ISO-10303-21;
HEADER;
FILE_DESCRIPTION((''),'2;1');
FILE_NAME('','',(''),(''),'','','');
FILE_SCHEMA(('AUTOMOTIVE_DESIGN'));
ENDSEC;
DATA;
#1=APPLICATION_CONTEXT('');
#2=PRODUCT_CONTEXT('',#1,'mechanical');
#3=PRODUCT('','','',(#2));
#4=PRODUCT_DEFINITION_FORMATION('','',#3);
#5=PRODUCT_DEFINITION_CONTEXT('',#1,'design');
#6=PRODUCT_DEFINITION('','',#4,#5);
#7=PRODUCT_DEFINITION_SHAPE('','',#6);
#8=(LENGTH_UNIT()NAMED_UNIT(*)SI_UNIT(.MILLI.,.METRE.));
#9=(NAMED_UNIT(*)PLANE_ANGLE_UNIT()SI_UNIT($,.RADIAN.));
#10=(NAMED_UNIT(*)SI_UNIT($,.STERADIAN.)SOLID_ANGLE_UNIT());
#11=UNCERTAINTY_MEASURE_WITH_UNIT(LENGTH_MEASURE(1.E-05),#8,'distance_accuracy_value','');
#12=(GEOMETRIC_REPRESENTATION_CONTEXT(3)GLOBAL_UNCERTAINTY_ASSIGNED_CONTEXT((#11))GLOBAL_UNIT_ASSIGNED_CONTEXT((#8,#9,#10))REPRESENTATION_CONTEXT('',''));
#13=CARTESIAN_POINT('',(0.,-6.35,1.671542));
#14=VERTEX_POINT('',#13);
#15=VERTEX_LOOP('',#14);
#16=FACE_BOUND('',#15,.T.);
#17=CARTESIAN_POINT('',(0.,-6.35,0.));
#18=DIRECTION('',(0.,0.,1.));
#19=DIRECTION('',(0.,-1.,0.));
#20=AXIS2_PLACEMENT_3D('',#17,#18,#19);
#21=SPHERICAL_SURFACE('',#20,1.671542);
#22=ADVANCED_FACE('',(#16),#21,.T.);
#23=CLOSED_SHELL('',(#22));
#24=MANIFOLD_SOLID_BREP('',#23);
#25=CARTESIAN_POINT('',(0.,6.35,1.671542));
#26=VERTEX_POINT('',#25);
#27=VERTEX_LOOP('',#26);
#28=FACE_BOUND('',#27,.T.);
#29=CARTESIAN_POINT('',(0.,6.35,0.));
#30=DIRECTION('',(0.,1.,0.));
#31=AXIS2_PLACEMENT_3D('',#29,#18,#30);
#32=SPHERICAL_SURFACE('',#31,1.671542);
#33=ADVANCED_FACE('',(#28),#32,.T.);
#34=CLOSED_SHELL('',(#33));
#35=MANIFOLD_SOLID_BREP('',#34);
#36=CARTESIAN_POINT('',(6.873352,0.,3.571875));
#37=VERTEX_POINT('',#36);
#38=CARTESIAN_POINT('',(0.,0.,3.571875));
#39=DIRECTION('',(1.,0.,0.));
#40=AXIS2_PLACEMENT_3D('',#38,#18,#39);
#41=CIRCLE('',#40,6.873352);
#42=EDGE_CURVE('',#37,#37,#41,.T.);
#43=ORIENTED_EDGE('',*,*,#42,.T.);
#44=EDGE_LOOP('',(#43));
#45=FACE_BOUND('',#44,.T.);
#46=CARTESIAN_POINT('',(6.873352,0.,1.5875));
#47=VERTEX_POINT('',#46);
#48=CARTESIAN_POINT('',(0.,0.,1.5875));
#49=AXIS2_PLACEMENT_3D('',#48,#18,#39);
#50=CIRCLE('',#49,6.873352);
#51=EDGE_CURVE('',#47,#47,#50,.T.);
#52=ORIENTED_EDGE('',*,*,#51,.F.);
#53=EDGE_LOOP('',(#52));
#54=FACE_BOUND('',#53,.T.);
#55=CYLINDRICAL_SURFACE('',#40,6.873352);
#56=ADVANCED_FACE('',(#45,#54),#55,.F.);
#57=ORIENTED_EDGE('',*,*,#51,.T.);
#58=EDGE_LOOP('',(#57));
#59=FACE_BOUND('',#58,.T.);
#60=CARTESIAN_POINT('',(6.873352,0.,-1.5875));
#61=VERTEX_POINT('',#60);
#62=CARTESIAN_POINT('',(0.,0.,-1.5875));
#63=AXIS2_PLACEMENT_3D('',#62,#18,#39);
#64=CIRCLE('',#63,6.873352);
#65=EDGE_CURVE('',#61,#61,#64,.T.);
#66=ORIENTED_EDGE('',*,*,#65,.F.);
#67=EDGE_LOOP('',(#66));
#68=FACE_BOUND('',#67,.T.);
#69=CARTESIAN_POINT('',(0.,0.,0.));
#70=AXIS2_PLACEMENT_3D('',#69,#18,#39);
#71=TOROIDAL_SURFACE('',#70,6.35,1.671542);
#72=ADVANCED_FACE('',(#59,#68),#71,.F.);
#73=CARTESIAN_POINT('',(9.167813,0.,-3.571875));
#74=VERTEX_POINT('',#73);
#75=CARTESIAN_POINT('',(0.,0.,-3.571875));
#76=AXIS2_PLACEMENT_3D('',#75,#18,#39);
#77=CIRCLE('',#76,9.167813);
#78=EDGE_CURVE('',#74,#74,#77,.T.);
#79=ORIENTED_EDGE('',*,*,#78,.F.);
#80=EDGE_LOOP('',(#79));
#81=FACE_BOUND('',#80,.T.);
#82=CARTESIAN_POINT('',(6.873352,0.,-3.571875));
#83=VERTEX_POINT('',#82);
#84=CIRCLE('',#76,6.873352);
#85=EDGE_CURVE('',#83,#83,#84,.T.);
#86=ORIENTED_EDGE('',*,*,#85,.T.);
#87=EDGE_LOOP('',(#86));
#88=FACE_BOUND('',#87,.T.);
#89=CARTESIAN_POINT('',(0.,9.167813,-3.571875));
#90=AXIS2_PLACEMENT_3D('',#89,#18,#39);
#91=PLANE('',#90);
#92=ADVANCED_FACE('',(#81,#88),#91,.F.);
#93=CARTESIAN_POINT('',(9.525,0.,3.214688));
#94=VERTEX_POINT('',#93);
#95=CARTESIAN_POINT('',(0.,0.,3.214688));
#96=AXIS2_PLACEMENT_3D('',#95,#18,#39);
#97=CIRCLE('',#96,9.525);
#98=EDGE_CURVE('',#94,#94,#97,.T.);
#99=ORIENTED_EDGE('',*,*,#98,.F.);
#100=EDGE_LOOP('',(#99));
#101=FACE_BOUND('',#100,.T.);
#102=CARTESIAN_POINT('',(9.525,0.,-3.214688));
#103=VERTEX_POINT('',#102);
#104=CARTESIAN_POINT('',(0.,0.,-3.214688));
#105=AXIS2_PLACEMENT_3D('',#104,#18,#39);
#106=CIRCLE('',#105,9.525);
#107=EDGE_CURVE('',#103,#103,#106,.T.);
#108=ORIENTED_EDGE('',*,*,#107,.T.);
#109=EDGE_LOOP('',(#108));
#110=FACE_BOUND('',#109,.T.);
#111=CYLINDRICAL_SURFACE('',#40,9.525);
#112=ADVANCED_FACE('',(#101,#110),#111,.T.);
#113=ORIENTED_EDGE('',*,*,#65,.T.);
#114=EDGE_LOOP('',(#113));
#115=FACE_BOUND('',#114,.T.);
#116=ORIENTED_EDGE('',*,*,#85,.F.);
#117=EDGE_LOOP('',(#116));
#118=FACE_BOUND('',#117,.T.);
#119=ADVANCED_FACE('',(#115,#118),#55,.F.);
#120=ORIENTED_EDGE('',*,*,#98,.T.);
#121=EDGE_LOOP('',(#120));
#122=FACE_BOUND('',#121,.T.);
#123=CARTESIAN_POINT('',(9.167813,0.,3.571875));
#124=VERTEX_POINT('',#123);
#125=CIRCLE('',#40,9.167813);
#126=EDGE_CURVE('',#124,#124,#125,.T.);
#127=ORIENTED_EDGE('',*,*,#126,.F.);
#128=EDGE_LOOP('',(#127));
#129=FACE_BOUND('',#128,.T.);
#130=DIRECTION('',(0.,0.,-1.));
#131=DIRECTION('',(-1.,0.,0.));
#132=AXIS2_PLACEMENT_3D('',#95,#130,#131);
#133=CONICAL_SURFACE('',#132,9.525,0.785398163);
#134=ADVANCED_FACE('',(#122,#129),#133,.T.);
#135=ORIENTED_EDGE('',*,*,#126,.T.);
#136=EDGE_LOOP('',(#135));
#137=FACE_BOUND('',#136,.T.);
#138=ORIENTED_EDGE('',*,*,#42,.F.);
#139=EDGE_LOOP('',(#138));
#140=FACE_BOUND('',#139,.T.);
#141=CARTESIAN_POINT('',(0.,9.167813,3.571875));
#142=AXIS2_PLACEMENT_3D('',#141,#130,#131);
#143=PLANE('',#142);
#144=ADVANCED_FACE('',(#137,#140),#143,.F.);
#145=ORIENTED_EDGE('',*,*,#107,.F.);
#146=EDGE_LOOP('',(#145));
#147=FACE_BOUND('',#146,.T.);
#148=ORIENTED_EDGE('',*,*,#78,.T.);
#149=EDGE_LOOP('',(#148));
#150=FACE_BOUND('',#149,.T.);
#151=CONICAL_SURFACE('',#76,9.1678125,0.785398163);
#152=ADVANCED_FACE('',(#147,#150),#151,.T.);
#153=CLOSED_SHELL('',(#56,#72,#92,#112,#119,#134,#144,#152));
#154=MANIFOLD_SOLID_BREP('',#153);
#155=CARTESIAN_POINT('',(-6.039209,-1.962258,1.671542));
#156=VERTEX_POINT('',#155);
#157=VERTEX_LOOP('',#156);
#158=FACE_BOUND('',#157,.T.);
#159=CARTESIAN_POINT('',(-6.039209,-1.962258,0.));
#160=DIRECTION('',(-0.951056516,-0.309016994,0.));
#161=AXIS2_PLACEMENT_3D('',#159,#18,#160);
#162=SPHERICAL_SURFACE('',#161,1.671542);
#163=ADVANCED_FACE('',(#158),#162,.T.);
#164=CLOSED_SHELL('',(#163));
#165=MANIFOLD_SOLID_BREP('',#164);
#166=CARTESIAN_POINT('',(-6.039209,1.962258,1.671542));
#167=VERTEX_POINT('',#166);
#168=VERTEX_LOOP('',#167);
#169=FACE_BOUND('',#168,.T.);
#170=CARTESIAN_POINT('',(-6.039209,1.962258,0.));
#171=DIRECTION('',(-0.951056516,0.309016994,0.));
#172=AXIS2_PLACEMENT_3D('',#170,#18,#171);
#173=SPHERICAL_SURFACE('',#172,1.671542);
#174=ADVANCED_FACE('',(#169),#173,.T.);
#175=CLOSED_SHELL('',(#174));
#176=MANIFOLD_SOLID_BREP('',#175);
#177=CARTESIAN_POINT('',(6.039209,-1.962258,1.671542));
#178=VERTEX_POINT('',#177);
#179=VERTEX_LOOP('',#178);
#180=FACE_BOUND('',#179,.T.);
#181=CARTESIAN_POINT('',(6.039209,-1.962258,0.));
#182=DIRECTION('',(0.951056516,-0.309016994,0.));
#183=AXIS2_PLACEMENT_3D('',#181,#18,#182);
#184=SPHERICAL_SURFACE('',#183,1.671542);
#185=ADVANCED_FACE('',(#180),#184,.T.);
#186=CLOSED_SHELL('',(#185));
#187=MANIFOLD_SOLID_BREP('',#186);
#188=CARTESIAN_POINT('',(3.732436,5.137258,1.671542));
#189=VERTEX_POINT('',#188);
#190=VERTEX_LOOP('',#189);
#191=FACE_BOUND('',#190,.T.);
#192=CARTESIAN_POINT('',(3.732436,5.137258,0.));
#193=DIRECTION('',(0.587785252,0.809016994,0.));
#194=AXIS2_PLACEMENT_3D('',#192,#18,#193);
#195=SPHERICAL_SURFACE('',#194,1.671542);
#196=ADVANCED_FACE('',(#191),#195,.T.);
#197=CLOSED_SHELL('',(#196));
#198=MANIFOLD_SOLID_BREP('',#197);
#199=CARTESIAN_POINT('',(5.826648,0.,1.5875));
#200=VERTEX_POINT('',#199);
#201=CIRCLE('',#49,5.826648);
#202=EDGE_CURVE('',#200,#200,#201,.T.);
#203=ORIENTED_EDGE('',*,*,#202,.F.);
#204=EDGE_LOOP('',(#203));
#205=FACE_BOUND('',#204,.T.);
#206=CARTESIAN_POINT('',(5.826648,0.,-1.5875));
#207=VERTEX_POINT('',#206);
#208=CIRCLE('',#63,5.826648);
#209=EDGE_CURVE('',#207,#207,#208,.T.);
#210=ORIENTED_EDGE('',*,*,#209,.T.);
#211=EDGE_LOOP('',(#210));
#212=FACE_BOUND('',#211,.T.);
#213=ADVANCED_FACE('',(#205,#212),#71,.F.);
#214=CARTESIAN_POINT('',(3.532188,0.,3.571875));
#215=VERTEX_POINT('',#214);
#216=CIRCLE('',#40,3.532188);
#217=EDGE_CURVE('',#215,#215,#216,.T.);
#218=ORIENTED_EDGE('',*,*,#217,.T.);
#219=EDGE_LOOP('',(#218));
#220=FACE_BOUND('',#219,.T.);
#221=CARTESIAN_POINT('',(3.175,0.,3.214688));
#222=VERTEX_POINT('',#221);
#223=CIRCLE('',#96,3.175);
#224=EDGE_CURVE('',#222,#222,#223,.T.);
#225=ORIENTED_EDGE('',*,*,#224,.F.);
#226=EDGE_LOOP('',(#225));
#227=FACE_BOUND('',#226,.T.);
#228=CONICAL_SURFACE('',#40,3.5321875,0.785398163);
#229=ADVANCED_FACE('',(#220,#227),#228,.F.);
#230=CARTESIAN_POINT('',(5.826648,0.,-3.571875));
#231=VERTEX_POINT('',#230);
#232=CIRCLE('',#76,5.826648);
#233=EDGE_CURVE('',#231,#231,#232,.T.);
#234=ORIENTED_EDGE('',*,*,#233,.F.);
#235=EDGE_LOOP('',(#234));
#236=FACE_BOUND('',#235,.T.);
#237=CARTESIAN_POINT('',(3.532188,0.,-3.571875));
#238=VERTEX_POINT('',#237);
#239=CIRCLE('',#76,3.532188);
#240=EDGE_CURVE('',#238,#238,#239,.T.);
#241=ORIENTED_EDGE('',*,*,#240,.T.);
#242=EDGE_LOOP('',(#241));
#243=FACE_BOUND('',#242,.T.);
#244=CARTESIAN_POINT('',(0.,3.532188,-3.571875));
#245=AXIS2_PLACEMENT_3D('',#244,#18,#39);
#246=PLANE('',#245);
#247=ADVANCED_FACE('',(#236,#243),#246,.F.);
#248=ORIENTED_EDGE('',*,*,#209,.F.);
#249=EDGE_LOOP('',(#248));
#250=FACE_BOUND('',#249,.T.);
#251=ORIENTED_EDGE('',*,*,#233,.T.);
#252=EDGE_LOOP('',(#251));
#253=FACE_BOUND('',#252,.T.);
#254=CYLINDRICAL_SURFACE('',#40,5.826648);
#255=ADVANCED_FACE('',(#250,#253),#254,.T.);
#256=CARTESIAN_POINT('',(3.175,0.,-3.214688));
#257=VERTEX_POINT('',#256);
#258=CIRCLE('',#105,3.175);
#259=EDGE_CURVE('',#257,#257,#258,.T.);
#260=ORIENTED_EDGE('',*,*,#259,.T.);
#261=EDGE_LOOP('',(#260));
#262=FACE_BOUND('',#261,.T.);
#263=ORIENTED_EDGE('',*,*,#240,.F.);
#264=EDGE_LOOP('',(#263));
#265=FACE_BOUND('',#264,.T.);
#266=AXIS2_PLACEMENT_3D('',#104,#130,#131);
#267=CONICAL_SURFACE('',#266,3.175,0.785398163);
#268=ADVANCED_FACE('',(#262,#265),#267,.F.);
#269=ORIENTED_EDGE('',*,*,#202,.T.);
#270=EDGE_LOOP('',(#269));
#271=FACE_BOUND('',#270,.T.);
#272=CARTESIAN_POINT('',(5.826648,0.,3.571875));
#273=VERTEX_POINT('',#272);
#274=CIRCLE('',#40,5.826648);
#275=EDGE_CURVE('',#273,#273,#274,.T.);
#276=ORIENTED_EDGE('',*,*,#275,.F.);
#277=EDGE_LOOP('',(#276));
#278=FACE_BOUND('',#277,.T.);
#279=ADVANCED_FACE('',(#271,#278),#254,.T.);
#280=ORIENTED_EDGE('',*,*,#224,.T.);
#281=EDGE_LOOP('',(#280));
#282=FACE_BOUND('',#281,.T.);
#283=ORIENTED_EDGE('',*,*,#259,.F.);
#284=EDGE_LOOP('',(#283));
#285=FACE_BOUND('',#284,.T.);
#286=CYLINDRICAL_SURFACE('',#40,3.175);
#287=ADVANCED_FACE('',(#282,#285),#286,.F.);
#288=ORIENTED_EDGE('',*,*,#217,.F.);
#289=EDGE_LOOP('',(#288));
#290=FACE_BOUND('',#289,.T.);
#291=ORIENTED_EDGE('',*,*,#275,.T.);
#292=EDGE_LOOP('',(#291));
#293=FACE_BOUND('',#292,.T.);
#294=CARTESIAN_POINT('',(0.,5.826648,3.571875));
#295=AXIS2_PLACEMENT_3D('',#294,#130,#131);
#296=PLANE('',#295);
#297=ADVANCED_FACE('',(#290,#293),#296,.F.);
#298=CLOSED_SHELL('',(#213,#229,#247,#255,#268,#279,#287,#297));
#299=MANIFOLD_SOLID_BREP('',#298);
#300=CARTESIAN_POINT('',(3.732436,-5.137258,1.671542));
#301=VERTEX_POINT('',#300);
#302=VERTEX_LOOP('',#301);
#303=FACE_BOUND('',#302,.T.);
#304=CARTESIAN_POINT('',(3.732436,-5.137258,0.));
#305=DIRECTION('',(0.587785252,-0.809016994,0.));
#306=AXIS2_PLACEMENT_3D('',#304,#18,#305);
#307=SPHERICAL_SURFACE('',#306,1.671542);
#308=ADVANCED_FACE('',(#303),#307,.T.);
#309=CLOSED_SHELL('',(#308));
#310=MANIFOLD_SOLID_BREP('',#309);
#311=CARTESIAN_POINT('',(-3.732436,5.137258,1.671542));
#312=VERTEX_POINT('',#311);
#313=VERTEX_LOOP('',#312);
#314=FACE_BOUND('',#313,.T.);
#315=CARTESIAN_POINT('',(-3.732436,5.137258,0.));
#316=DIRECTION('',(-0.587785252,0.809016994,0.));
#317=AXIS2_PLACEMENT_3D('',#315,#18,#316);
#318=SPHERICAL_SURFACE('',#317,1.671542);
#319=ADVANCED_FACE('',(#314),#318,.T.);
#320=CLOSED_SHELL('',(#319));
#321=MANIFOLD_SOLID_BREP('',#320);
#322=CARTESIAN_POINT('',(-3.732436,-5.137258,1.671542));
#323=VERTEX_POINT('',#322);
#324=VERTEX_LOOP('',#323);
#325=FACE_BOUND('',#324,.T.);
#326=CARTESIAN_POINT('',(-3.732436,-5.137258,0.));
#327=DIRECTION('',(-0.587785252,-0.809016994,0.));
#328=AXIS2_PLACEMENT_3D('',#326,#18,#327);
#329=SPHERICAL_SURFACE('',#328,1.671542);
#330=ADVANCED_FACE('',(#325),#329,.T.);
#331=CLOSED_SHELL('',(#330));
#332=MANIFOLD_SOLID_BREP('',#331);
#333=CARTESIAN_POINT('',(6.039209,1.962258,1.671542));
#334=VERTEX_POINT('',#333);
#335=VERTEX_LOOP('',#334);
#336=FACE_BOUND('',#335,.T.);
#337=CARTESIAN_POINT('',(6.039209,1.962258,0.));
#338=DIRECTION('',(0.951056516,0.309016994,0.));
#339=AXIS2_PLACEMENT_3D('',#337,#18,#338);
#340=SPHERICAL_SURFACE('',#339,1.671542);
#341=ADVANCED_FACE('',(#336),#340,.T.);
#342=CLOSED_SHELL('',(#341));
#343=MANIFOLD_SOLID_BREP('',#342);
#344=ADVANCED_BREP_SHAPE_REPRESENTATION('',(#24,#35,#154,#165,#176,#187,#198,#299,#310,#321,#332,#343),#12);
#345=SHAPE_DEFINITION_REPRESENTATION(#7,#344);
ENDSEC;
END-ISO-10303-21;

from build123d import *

# Parameters (mm, degrees)
CIRPATTERN1_COUNT = 10


with BuildPart() as part:
    # Sketch1 → Revolve1 (revolve)
    with BuildSketch(Plane(origin=(0, 0, 0), x_dir=(0, 0, -1), z_dir=(1, 0, 0))):
        with BuildLine():
            Line((3.2146875, 9.525), (-3.2146875, 9.525))
            Line((-3.2146875, 9.525), (-3.571875, 9.1678125))
            Line((-3.571875, 9.1678125), (-3.571875, 6.873351648))
            Line((-3.571875, 6.873351648), (-1.5875, 6.873351648))
            ThreePointArc((-1.5875, 6.873351648), (0, 8.021542162), (1.5875, 6.873351648))
            Line((1.5875, 6.873351648), (3.571875, 6.873351648))
            Line((3.571875, 6.873351648), (3.571875, 9.1678125))
            Line((3.571875, 9.1678125), (3.2146875, 9.525))
        make_face()
    revolve(axis=Axis((0, 0, 3.571875), (0, 0, -1)))


with BuildPart() as body_2:
    # Sketch3 → Revolve3 (revolve)
    with BuildSketch(Plane(origin=(0, 0, 0), x_dir=(0, 0, -1), z_dir=(1, 0, 0))):
        with BuildLine():
            Line((-3.571875, 5.826648352), (-1.5875, 5.826648352))
            ThreePointArc((-1.5875, 5.826648352), (0, 4.678457838), (1.5875, 5.826648352))
            Line((1.5875, 5.826648352), (3.571875, 5.826648352))
            Line((3.571875, 5.826648352), (3.571875, 3.5321875))
            Line((3.571875, 3.5321875), (3.2146875, 3.175))
            Line((3.2146875, 3.175), (-3.2146875, 3.175))
            Line((-3.2146875, 3.175), (-3.571875, 3.5321875))
            Line((-3.571875, 3.5321875), (-3.571875, 5.826648352))
        make_face()
    revolve(axis=Axis((0, 0, 3.571875), (0, 0, -1)))


with BuildPart() as body_3:
    # Sketch4 → Revolve4 (revolve)
    with BuildSketch(Plane(origin=(0, 0, 0), x_dir=(0, 0, -1), z_dir=(1, 0, 0))):
        with BuildLine():
            Line((-1.671542162, 6.35), (1.671542162, 6.35))
            ThreePointArc((1.671542162, 6.35), (0, 8.021542162), (-1.671542162, 6.35))
        make_face()
    revolve(axis=Axis((0, 6.35, 1.671542162), (0, 0, -1)))


with BuildPart() as cirpattern1_1:
    # CirPattern1: pattern copy
    add(body_3.part.rotate(Axis((0, 0, 0), (0, 0, 1)), 1 * 360 / CIRPATTERN1_COUNT))


with BuildPart() as cirpattern1_2:
    # CirPattern1: pattern copy
    add(body_3.part.rotate(Axis((0, 0, 0), (0, 0, 1)), 2 * 360 / CIRPATTERN1_COUNT))


with BuildPart() as cirpattern1_3:
    # CirPattern1: pattern copy
    add(body_3.part.rotate(Axis((0, 0, 0), (0, 0, 1)), 3 * 360 / CIRPATTERN1_COUNT))


with BuildPart() as cirpattern1_4:
    # CirPattern1: pattern copy
    add(body_3.part.rotate(Axis((0, 0, 0), (0, 0, 1)), 4 * 360 / CIRPATTERN1_COUNT))


with BuildPart() as cirpattern1_5:
    # CirPattern1: pattern copy
    add(body_3.part.rotate(Axis((0, 0, 0), (0, 0, 1)), 5 * 360 / CIRPATTERN1_COUNT))


with BuildPart() as cirpattern1_6:
    # CirPattern1: pattern copy
    add(body_3.part.rotate(Axis((0, 0, 0), (0, 0, 1)), 6 * 360 / CIRPATTERN1_COUNT))


with BuildPart() as cirpattern1_7:
    # CirPattern1: pattern copy
    add(body_3.part.rotate(Axis((0, 0, 0), (0, 0, 1)), 7 * 360 / CIRPATTERN1_COUNT))


with BuildPart() as cirpattern1_8:
    # CirPattern1: pattern copy
    add(body_3.part.rotate(Axis((0, 0, 0), (0, 0, 1)), 8 * 360 / CIRPATTERN1_COUNT))


with BuildPart() as cirpattern1_9:
    # CirPattern1: pattern copy
    add(body_3.part.rotate(Axis((0, 0, 0), (0, 0, 1)), 9 * 360 / CIRPATTERN1_COUNT))


solid = Compound([part.part, body_2.part, body_3.part, cirpattern1_1.part, cirpattern1_2.part, cirpattern1_3.part, cirpattern1_4.part, cirpattern1_5.part, cirpattern1_6.part, cirpattern1_7.part, cirpattern1_8.part, cirpattern1_9.part])
